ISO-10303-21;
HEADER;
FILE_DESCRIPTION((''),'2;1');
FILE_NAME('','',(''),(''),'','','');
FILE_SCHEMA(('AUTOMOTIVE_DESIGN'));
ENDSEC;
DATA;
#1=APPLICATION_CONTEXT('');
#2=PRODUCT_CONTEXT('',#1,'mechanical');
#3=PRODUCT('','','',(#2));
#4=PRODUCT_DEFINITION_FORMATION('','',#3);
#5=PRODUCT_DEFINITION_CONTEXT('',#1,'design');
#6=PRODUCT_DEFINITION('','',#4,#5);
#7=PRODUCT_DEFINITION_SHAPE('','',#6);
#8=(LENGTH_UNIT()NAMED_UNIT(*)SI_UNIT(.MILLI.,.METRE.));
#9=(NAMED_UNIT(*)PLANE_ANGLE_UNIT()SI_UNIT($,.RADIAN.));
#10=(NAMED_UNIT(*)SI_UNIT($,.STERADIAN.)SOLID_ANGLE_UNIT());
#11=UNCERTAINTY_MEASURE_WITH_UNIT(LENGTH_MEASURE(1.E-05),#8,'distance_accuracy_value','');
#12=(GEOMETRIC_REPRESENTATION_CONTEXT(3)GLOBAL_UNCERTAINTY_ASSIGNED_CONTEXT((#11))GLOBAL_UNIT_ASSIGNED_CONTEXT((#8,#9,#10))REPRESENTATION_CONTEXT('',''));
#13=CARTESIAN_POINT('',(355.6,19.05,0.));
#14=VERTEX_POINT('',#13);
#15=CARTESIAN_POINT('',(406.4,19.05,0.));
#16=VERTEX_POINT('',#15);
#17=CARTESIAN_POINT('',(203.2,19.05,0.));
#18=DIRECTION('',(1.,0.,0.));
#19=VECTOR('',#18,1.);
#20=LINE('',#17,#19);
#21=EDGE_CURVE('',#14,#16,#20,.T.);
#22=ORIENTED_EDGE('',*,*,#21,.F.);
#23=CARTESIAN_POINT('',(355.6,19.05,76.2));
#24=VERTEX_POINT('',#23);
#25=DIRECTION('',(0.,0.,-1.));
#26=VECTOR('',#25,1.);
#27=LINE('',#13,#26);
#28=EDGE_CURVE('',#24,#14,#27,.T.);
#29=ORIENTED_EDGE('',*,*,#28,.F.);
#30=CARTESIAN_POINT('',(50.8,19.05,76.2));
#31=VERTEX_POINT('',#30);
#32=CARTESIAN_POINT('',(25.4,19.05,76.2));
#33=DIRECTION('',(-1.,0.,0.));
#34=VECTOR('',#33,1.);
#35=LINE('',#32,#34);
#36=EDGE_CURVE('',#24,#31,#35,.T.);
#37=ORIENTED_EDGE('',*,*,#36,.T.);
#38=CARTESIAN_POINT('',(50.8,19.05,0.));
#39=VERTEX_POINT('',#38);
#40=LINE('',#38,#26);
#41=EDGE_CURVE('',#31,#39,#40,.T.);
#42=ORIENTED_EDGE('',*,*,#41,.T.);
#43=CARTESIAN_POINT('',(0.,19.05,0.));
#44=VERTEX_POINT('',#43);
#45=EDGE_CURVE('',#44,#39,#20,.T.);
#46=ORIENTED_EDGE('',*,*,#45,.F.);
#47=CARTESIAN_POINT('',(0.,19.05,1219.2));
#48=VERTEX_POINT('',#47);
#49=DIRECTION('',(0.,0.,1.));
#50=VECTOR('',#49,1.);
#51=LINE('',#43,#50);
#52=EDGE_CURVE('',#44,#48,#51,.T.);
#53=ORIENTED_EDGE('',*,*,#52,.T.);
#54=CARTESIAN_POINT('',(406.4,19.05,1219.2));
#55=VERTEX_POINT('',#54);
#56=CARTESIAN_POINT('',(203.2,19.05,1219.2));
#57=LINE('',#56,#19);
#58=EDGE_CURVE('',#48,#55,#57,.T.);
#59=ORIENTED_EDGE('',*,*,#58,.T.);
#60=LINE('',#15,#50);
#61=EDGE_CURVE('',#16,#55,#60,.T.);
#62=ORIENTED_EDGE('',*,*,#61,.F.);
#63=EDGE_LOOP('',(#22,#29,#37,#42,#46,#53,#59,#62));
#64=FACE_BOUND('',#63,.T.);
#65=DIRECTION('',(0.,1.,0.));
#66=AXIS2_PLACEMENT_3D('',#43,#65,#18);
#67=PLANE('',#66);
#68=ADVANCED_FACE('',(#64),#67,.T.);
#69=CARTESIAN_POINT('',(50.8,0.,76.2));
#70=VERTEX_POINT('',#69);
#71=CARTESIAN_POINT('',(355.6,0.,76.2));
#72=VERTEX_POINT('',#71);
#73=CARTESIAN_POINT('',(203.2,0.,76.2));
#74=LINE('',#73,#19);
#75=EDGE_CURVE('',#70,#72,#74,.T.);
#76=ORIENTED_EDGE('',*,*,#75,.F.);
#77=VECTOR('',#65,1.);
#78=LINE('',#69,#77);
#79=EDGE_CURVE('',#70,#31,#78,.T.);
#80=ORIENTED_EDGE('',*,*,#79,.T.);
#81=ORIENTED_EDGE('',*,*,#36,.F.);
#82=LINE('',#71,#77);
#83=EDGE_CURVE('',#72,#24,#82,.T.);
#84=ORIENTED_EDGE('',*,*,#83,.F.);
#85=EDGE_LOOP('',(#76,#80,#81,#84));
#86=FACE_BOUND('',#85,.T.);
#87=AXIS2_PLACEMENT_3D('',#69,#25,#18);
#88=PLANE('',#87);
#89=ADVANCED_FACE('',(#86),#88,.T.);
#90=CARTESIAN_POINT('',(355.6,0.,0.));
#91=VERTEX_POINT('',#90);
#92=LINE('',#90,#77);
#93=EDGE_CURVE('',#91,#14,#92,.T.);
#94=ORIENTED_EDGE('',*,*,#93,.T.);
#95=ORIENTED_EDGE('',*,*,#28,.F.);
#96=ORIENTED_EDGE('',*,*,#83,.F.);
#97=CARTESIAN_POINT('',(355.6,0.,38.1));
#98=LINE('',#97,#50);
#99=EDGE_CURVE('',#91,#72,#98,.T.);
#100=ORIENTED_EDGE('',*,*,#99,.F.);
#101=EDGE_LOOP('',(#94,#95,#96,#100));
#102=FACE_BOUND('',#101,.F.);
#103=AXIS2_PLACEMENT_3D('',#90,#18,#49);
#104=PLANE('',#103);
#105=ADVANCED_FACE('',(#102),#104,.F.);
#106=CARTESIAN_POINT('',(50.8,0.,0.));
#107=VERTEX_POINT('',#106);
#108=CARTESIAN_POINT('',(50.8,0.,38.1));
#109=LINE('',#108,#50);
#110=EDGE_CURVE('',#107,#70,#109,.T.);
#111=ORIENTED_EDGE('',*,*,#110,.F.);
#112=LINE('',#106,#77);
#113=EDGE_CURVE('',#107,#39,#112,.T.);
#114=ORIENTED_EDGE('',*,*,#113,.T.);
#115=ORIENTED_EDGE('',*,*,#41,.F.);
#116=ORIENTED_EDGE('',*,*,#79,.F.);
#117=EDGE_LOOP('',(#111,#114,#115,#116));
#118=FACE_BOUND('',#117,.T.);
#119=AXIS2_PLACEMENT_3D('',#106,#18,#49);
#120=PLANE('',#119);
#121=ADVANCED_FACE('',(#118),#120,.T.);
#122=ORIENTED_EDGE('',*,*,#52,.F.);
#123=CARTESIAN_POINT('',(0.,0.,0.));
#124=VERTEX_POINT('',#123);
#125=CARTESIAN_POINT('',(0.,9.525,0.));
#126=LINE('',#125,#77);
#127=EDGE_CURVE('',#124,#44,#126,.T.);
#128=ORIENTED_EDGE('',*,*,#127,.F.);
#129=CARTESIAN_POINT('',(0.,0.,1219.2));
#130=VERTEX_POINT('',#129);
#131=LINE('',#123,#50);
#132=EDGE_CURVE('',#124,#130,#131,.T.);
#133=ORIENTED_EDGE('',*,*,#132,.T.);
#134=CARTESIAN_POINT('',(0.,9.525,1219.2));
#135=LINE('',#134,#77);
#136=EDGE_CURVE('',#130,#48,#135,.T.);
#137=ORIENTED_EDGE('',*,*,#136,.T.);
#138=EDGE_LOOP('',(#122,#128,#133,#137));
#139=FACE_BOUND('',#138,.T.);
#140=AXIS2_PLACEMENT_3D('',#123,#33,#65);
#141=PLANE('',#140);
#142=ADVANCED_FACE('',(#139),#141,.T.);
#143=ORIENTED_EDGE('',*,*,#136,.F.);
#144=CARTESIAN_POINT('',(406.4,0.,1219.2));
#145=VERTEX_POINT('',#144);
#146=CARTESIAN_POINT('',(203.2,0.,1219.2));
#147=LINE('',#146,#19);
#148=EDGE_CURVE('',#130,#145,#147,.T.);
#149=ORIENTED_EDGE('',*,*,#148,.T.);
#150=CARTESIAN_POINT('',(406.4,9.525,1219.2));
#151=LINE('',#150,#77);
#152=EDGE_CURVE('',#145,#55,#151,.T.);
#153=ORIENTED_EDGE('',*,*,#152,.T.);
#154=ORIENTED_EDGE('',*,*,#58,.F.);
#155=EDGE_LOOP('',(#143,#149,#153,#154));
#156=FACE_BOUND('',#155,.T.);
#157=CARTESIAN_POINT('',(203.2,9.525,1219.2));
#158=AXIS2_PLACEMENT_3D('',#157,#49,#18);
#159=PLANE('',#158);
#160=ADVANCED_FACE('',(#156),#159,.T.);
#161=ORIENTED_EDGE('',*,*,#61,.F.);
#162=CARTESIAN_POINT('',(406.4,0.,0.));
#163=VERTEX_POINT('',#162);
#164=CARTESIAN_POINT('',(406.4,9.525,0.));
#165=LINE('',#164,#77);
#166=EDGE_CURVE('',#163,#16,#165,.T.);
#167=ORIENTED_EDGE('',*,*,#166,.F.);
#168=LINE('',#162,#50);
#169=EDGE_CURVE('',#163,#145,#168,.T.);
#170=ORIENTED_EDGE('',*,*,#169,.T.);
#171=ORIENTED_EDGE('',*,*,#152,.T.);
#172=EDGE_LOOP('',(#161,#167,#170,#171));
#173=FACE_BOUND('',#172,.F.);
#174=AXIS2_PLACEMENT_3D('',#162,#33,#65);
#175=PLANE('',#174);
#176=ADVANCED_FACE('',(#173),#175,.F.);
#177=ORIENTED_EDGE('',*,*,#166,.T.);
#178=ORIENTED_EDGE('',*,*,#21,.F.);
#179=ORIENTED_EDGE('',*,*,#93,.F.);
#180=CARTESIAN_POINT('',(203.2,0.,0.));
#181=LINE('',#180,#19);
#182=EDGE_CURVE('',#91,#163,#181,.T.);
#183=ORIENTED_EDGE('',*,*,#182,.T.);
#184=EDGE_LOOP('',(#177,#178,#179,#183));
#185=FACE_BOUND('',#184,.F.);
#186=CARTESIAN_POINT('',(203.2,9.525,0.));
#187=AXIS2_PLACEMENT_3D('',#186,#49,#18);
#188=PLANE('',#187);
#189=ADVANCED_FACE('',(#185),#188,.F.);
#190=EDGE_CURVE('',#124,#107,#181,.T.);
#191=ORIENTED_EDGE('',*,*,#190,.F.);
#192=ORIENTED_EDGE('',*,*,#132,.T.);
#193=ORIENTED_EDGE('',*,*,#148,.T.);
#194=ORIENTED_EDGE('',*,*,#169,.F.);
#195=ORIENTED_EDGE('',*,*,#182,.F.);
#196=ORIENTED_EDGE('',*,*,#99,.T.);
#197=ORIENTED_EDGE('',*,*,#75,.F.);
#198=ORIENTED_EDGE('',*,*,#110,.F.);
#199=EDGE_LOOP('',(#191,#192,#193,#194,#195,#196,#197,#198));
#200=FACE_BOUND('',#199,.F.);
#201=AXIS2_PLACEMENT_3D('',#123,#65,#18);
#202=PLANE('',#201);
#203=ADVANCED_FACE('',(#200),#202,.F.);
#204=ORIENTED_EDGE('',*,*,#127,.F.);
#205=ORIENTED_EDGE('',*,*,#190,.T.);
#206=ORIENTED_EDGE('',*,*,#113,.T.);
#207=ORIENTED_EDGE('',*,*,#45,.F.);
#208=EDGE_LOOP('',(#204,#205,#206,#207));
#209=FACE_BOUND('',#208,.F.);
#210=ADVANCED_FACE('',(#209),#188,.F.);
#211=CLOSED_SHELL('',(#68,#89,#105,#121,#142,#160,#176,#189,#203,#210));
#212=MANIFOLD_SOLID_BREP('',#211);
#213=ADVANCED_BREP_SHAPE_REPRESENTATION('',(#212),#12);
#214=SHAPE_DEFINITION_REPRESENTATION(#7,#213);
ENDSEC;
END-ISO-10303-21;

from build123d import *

# Parameters (mm, degrees)
F0_W     = 406.4
F0_H     = 19.05
F1_DEPTH = 1219.2
F2_W     = 304.8
F2_H     = 76.2
F3_DEPTH = 19.051


with BuildPart() as f1:
    # F0 (on Top) → F1 (new body)
    with BuildSketch(Plane.XY):
        with Locations((203.2, 9.525)):
            Rectangle(F0_W, F0_H)
    extrude(amount=F1_DEPTH)

    # F2 (on face) → F3 (cut, through all)
    with BuildSketch(Plane.XZ):
        with Locations((203.2, 38.1)):
            Rectangle(F2_W, F2_H)
    extrude(amount=-F3_DEPTH, mode=Mode.SUBTRACT)


solid = f1.part
